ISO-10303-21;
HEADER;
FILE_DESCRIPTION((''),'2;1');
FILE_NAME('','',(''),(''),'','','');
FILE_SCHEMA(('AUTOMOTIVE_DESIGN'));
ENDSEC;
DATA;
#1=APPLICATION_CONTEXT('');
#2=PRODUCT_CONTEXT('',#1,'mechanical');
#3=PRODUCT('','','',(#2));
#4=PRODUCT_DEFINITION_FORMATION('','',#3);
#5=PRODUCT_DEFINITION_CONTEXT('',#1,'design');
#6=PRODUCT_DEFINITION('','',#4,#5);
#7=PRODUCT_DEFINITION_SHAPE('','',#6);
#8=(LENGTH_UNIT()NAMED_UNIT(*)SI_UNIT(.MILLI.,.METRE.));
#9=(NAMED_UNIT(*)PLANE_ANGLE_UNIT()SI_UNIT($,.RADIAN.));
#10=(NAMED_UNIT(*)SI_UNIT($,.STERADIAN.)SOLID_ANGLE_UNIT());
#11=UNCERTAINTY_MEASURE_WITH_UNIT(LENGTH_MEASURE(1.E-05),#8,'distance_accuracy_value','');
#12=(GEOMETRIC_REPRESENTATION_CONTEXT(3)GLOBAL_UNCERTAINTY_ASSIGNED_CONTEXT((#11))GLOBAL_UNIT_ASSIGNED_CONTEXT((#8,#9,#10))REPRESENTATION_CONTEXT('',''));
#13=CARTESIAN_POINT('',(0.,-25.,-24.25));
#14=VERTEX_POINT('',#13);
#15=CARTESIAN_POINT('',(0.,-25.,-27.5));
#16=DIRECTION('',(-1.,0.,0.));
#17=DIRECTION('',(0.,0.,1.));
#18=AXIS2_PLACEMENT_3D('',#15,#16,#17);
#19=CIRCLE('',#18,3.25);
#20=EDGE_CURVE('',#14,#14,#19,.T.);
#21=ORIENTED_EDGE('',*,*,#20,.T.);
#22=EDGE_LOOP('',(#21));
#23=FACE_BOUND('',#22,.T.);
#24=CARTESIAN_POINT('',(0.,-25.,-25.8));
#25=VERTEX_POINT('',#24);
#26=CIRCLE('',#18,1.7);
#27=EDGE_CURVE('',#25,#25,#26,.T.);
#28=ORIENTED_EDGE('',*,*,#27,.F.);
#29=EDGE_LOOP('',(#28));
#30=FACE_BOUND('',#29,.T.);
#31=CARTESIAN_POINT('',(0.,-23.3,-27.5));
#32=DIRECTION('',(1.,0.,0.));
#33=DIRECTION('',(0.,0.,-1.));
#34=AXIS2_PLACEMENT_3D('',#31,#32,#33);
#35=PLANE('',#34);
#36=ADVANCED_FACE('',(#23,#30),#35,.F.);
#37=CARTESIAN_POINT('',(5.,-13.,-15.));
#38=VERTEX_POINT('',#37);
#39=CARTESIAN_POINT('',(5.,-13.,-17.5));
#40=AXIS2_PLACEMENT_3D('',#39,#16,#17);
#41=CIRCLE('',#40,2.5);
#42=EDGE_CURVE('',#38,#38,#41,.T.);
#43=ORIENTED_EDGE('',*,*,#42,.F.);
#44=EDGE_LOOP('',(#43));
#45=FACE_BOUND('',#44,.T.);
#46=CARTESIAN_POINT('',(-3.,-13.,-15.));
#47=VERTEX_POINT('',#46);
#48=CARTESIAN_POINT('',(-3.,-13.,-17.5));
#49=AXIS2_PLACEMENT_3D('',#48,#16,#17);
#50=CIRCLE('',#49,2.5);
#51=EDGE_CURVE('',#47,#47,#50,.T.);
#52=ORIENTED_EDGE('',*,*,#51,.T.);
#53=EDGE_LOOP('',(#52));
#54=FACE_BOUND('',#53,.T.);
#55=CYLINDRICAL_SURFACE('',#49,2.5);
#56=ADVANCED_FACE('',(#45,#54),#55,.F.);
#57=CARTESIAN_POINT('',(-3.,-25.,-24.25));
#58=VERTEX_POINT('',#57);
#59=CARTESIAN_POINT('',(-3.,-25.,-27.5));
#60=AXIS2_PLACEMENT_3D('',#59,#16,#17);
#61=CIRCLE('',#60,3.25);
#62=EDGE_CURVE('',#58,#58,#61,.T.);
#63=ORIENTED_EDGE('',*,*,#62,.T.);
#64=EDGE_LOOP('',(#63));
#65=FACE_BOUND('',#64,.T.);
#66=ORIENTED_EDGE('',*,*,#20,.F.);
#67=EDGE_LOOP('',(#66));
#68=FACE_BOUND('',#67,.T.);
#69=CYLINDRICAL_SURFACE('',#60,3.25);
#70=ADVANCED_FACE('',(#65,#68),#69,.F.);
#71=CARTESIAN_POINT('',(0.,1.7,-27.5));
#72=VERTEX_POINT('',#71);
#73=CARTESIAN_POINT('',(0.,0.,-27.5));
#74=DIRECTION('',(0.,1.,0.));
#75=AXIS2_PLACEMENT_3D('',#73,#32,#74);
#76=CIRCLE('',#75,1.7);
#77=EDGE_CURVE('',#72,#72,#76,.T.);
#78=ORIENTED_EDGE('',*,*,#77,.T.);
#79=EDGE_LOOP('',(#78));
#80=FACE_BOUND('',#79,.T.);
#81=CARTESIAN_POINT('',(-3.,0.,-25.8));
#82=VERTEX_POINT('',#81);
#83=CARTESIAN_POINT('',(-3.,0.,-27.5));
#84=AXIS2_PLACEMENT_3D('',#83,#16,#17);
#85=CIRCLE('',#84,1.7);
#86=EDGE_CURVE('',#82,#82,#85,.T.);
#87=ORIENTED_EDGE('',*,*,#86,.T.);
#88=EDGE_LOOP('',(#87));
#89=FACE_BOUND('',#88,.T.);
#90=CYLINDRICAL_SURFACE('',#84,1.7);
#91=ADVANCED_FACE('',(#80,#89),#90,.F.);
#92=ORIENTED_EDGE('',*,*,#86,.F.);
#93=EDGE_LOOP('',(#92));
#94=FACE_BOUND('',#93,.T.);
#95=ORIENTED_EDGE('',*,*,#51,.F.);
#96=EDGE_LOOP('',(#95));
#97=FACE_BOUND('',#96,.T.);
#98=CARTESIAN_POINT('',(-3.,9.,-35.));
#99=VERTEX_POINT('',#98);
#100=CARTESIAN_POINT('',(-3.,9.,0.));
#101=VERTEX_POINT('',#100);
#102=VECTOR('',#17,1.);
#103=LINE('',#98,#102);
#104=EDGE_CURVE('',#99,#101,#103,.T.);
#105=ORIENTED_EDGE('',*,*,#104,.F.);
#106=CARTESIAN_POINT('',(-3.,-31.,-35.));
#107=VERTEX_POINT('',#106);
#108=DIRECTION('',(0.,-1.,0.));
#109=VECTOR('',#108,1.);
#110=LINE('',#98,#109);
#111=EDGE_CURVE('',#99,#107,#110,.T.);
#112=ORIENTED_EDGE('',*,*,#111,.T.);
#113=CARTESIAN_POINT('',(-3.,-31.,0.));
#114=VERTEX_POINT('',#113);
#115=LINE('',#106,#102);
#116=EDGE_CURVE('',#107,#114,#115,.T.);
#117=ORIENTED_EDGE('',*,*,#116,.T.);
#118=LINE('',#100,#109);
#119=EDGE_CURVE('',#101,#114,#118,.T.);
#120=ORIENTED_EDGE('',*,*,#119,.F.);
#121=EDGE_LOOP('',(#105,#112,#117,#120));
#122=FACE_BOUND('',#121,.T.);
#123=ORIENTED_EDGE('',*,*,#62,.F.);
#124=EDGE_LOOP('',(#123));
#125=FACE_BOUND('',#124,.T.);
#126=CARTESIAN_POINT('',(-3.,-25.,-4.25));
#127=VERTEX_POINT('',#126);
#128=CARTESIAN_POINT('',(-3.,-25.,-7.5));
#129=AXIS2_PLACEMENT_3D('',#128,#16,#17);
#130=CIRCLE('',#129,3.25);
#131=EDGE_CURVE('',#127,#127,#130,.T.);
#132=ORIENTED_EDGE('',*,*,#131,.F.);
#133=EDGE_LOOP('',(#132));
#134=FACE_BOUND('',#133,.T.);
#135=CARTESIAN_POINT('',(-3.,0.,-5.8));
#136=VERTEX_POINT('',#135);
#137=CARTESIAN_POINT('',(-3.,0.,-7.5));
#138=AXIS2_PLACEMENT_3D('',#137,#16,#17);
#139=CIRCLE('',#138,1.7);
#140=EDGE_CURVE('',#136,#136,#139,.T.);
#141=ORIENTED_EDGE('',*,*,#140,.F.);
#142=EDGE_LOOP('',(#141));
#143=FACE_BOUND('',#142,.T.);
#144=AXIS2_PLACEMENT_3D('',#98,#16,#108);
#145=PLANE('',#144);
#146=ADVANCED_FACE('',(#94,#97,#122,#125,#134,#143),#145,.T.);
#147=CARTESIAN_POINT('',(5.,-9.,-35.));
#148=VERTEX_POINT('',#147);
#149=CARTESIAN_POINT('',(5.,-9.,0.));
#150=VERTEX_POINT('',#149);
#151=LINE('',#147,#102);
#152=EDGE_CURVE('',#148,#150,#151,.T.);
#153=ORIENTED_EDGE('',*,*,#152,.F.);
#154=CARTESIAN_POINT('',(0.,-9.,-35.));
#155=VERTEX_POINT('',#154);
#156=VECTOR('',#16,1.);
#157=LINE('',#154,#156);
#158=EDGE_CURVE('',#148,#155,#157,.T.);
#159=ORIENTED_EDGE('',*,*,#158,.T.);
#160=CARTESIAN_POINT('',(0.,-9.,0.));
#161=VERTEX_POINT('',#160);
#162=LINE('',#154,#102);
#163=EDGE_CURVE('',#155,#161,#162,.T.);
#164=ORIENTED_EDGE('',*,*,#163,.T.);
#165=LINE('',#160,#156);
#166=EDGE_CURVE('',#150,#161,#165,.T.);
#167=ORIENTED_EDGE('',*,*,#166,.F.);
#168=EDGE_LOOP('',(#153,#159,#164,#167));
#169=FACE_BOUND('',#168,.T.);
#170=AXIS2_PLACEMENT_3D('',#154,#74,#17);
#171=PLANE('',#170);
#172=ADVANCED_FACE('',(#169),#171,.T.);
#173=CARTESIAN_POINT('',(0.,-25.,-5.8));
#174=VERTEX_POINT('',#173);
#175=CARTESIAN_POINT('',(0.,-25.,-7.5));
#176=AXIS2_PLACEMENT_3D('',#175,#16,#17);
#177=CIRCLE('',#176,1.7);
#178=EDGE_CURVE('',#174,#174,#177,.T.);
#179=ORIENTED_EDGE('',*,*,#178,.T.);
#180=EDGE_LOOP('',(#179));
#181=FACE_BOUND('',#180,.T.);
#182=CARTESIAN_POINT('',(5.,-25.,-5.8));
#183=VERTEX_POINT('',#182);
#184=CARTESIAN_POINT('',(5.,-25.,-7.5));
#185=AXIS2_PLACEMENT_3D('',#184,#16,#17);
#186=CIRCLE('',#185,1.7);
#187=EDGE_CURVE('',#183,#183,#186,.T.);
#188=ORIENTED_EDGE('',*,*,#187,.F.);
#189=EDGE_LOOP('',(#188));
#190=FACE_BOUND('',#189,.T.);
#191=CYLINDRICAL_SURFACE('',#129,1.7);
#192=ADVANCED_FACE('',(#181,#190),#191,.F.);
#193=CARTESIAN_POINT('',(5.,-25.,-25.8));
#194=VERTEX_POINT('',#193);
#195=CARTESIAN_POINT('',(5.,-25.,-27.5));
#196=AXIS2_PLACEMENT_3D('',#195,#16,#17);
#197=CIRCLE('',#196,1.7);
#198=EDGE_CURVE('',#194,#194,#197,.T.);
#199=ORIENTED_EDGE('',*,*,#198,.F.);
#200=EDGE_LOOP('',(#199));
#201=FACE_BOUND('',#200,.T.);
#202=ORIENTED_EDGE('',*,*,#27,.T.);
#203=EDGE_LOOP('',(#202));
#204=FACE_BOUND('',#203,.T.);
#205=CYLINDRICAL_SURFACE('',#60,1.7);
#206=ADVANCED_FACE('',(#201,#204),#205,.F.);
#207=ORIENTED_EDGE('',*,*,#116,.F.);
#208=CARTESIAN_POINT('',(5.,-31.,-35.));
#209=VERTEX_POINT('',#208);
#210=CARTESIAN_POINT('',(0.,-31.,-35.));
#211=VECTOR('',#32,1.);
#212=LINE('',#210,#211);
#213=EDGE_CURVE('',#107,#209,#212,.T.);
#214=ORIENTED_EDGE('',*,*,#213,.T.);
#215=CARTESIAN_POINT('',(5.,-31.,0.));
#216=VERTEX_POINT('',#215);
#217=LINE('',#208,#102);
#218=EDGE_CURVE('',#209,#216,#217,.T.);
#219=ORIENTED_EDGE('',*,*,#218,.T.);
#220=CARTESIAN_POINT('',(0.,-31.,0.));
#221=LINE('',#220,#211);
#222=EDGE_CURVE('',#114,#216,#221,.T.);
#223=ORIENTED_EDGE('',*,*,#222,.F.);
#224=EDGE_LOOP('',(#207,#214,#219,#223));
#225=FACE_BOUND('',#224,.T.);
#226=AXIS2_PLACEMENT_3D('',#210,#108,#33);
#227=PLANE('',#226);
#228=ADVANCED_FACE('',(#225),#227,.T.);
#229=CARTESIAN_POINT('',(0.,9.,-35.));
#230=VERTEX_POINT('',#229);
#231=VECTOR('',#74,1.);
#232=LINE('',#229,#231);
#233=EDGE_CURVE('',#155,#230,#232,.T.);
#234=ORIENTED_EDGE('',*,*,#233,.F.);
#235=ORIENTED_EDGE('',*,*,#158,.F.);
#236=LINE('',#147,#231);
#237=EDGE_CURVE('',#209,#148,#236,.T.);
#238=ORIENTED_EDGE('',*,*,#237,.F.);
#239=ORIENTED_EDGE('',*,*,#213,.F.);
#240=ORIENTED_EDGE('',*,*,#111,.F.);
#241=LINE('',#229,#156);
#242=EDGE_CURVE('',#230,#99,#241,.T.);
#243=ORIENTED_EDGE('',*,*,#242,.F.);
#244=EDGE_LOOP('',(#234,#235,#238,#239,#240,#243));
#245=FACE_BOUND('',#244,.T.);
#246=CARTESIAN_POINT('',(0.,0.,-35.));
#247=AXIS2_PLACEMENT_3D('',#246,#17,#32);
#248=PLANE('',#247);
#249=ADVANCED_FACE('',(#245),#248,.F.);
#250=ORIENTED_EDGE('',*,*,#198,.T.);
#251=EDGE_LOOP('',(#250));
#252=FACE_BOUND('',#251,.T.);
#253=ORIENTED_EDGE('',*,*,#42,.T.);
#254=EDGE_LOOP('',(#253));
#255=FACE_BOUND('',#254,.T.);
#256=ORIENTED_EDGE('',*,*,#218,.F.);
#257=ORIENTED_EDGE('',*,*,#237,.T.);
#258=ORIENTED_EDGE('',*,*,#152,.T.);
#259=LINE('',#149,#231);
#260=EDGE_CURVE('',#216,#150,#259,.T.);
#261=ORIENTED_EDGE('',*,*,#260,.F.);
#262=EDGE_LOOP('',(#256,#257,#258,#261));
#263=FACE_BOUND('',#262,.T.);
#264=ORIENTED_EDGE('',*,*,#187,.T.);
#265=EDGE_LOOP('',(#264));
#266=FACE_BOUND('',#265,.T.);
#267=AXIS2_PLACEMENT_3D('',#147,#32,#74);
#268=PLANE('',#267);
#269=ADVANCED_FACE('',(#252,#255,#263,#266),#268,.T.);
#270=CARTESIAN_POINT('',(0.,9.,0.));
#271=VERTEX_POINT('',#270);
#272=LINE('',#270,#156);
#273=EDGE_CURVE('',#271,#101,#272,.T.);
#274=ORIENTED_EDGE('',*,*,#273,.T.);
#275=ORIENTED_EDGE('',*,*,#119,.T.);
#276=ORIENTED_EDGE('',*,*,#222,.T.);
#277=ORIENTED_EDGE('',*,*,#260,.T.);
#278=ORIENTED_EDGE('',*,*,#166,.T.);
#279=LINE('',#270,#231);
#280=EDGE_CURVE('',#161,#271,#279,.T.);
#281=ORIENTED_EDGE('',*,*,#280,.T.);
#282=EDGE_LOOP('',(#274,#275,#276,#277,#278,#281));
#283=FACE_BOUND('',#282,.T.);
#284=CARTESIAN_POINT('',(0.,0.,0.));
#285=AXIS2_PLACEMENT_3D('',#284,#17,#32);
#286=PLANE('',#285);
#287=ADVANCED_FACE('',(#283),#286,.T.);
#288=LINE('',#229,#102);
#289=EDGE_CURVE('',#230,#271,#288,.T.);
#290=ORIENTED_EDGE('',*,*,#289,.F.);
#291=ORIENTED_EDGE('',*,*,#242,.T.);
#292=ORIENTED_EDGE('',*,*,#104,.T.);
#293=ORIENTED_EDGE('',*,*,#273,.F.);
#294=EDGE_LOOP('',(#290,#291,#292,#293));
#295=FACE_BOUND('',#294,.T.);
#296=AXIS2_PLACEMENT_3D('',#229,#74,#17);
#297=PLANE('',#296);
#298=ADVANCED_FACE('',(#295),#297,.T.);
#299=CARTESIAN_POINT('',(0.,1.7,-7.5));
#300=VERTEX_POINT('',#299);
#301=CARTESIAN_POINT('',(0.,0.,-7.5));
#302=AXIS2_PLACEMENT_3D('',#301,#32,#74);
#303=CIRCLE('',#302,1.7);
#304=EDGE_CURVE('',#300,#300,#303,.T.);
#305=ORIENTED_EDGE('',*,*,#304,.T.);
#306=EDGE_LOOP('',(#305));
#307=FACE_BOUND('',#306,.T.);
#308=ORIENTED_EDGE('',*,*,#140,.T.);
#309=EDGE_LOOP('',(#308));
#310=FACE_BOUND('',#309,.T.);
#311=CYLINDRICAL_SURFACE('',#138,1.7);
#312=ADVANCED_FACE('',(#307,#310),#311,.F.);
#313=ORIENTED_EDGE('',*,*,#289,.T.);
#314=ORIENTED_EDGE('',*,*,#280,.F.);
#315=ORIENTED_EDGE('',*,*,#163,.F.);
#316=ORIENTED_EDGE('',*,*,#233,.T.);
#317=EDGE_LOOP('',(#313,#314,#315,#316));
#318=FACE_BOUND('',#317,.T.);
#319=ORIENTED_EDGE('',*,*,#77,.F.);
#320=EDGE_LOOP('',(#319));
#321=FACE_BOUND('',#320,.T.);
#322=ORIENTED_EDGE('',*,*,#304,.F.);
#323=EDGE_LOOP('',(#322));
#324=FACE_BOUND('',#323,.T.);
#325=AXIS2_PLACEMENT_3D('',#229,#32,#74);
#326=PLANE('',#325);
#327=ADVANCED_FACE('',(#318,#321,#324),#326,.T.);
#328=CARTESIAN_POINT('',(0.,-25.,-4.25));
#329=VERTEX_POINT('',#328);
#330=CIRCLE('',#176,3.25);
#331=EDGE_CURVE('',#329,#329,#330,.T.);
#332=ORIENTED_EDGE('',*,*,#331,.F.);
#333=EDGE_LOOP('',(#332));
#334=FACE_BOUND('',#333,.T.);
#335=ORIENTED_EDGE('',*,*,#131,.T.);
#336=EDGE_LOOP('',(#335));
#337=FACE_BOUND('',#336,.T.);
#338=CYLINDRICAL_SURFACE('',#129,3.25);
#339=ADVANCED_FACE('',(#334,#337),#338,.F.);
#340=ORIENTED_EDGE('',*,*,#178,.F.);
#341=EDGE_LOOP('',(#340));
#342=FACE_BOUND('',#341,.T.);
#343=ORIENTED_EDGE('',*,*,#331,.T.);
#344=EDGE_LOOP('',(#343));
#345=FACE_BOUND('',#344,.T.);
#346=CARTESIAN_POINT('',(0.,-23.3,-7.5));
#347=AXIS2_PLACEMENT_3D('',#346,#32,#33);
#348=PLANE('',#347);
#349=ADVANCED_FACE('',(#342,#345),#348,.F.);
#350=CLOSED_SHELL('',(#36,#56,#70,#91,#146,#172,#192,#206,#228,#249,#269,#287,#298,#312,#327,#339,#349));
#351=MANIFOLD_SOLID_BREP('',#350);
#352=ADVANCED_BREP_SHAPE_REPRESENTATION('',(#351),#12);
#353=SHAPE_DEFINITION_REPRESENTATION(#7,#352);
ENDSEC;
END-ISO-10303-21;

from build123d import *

# Parameters (mm, degrees)
BOSS_EXTRUDE1_DEPTH            = 35
M3_CLEARANCE_HOLE2_D           = 3.4
CBORE_FOR_M3_SHCS1_D           = 3.4
CBORE_FOR_M3_SHCS1_CBORE_D     = 6.5
CBORE_FOR_M3_SHCS1_CBORE_DEPTH = 3
TAP_DRILL_FOR_M6X1_0_TAP1_D    = 5


with BuildPart() as part:
    # Sketch1 → Boss-Extrude1 (new body)
    with BuildSketch(Plane.XY):
        Polygon((0, 9), (-3, 9), (-3, -31), (0, -31), (5, -31), (5, -9), (0, -9), align=None)
    extrude(amount=-BOSS_EXTRUDE1_DEPTH)

    # M3 Clearance Hole2 (through all)
    with Locations(Plane.ZY.offset(3)):
        with Locations((-7.5, 0), (-27.5, 0)):
            Hole(M3_CLEARANCE_HOLE2_D / 2)

    # CBORE for M3 SHCS1 (through all)
    with Locations(Plane.ZY.offset(3)):
        with Locations((-7.5, -25), (-27.5, -25)):
            CounterBoreHole(CBORE_FOR_M3_SHCS1_D / 2, CBORE_FOR_M3_SHCS1_CBORE_D / 2, CBORE_FOR_M3_SHCS1_CBORE_DEPTH)

    # Tap Drill for M6x1.0 Tap1 (through all)
    with Locations(Plane.ZY.offset(3)):
        with Locations((-17.5, -13)):
            Hole(TAP_DRILL_FOR_M6X1_0_TAP1_D / 2)


solid = part.part
